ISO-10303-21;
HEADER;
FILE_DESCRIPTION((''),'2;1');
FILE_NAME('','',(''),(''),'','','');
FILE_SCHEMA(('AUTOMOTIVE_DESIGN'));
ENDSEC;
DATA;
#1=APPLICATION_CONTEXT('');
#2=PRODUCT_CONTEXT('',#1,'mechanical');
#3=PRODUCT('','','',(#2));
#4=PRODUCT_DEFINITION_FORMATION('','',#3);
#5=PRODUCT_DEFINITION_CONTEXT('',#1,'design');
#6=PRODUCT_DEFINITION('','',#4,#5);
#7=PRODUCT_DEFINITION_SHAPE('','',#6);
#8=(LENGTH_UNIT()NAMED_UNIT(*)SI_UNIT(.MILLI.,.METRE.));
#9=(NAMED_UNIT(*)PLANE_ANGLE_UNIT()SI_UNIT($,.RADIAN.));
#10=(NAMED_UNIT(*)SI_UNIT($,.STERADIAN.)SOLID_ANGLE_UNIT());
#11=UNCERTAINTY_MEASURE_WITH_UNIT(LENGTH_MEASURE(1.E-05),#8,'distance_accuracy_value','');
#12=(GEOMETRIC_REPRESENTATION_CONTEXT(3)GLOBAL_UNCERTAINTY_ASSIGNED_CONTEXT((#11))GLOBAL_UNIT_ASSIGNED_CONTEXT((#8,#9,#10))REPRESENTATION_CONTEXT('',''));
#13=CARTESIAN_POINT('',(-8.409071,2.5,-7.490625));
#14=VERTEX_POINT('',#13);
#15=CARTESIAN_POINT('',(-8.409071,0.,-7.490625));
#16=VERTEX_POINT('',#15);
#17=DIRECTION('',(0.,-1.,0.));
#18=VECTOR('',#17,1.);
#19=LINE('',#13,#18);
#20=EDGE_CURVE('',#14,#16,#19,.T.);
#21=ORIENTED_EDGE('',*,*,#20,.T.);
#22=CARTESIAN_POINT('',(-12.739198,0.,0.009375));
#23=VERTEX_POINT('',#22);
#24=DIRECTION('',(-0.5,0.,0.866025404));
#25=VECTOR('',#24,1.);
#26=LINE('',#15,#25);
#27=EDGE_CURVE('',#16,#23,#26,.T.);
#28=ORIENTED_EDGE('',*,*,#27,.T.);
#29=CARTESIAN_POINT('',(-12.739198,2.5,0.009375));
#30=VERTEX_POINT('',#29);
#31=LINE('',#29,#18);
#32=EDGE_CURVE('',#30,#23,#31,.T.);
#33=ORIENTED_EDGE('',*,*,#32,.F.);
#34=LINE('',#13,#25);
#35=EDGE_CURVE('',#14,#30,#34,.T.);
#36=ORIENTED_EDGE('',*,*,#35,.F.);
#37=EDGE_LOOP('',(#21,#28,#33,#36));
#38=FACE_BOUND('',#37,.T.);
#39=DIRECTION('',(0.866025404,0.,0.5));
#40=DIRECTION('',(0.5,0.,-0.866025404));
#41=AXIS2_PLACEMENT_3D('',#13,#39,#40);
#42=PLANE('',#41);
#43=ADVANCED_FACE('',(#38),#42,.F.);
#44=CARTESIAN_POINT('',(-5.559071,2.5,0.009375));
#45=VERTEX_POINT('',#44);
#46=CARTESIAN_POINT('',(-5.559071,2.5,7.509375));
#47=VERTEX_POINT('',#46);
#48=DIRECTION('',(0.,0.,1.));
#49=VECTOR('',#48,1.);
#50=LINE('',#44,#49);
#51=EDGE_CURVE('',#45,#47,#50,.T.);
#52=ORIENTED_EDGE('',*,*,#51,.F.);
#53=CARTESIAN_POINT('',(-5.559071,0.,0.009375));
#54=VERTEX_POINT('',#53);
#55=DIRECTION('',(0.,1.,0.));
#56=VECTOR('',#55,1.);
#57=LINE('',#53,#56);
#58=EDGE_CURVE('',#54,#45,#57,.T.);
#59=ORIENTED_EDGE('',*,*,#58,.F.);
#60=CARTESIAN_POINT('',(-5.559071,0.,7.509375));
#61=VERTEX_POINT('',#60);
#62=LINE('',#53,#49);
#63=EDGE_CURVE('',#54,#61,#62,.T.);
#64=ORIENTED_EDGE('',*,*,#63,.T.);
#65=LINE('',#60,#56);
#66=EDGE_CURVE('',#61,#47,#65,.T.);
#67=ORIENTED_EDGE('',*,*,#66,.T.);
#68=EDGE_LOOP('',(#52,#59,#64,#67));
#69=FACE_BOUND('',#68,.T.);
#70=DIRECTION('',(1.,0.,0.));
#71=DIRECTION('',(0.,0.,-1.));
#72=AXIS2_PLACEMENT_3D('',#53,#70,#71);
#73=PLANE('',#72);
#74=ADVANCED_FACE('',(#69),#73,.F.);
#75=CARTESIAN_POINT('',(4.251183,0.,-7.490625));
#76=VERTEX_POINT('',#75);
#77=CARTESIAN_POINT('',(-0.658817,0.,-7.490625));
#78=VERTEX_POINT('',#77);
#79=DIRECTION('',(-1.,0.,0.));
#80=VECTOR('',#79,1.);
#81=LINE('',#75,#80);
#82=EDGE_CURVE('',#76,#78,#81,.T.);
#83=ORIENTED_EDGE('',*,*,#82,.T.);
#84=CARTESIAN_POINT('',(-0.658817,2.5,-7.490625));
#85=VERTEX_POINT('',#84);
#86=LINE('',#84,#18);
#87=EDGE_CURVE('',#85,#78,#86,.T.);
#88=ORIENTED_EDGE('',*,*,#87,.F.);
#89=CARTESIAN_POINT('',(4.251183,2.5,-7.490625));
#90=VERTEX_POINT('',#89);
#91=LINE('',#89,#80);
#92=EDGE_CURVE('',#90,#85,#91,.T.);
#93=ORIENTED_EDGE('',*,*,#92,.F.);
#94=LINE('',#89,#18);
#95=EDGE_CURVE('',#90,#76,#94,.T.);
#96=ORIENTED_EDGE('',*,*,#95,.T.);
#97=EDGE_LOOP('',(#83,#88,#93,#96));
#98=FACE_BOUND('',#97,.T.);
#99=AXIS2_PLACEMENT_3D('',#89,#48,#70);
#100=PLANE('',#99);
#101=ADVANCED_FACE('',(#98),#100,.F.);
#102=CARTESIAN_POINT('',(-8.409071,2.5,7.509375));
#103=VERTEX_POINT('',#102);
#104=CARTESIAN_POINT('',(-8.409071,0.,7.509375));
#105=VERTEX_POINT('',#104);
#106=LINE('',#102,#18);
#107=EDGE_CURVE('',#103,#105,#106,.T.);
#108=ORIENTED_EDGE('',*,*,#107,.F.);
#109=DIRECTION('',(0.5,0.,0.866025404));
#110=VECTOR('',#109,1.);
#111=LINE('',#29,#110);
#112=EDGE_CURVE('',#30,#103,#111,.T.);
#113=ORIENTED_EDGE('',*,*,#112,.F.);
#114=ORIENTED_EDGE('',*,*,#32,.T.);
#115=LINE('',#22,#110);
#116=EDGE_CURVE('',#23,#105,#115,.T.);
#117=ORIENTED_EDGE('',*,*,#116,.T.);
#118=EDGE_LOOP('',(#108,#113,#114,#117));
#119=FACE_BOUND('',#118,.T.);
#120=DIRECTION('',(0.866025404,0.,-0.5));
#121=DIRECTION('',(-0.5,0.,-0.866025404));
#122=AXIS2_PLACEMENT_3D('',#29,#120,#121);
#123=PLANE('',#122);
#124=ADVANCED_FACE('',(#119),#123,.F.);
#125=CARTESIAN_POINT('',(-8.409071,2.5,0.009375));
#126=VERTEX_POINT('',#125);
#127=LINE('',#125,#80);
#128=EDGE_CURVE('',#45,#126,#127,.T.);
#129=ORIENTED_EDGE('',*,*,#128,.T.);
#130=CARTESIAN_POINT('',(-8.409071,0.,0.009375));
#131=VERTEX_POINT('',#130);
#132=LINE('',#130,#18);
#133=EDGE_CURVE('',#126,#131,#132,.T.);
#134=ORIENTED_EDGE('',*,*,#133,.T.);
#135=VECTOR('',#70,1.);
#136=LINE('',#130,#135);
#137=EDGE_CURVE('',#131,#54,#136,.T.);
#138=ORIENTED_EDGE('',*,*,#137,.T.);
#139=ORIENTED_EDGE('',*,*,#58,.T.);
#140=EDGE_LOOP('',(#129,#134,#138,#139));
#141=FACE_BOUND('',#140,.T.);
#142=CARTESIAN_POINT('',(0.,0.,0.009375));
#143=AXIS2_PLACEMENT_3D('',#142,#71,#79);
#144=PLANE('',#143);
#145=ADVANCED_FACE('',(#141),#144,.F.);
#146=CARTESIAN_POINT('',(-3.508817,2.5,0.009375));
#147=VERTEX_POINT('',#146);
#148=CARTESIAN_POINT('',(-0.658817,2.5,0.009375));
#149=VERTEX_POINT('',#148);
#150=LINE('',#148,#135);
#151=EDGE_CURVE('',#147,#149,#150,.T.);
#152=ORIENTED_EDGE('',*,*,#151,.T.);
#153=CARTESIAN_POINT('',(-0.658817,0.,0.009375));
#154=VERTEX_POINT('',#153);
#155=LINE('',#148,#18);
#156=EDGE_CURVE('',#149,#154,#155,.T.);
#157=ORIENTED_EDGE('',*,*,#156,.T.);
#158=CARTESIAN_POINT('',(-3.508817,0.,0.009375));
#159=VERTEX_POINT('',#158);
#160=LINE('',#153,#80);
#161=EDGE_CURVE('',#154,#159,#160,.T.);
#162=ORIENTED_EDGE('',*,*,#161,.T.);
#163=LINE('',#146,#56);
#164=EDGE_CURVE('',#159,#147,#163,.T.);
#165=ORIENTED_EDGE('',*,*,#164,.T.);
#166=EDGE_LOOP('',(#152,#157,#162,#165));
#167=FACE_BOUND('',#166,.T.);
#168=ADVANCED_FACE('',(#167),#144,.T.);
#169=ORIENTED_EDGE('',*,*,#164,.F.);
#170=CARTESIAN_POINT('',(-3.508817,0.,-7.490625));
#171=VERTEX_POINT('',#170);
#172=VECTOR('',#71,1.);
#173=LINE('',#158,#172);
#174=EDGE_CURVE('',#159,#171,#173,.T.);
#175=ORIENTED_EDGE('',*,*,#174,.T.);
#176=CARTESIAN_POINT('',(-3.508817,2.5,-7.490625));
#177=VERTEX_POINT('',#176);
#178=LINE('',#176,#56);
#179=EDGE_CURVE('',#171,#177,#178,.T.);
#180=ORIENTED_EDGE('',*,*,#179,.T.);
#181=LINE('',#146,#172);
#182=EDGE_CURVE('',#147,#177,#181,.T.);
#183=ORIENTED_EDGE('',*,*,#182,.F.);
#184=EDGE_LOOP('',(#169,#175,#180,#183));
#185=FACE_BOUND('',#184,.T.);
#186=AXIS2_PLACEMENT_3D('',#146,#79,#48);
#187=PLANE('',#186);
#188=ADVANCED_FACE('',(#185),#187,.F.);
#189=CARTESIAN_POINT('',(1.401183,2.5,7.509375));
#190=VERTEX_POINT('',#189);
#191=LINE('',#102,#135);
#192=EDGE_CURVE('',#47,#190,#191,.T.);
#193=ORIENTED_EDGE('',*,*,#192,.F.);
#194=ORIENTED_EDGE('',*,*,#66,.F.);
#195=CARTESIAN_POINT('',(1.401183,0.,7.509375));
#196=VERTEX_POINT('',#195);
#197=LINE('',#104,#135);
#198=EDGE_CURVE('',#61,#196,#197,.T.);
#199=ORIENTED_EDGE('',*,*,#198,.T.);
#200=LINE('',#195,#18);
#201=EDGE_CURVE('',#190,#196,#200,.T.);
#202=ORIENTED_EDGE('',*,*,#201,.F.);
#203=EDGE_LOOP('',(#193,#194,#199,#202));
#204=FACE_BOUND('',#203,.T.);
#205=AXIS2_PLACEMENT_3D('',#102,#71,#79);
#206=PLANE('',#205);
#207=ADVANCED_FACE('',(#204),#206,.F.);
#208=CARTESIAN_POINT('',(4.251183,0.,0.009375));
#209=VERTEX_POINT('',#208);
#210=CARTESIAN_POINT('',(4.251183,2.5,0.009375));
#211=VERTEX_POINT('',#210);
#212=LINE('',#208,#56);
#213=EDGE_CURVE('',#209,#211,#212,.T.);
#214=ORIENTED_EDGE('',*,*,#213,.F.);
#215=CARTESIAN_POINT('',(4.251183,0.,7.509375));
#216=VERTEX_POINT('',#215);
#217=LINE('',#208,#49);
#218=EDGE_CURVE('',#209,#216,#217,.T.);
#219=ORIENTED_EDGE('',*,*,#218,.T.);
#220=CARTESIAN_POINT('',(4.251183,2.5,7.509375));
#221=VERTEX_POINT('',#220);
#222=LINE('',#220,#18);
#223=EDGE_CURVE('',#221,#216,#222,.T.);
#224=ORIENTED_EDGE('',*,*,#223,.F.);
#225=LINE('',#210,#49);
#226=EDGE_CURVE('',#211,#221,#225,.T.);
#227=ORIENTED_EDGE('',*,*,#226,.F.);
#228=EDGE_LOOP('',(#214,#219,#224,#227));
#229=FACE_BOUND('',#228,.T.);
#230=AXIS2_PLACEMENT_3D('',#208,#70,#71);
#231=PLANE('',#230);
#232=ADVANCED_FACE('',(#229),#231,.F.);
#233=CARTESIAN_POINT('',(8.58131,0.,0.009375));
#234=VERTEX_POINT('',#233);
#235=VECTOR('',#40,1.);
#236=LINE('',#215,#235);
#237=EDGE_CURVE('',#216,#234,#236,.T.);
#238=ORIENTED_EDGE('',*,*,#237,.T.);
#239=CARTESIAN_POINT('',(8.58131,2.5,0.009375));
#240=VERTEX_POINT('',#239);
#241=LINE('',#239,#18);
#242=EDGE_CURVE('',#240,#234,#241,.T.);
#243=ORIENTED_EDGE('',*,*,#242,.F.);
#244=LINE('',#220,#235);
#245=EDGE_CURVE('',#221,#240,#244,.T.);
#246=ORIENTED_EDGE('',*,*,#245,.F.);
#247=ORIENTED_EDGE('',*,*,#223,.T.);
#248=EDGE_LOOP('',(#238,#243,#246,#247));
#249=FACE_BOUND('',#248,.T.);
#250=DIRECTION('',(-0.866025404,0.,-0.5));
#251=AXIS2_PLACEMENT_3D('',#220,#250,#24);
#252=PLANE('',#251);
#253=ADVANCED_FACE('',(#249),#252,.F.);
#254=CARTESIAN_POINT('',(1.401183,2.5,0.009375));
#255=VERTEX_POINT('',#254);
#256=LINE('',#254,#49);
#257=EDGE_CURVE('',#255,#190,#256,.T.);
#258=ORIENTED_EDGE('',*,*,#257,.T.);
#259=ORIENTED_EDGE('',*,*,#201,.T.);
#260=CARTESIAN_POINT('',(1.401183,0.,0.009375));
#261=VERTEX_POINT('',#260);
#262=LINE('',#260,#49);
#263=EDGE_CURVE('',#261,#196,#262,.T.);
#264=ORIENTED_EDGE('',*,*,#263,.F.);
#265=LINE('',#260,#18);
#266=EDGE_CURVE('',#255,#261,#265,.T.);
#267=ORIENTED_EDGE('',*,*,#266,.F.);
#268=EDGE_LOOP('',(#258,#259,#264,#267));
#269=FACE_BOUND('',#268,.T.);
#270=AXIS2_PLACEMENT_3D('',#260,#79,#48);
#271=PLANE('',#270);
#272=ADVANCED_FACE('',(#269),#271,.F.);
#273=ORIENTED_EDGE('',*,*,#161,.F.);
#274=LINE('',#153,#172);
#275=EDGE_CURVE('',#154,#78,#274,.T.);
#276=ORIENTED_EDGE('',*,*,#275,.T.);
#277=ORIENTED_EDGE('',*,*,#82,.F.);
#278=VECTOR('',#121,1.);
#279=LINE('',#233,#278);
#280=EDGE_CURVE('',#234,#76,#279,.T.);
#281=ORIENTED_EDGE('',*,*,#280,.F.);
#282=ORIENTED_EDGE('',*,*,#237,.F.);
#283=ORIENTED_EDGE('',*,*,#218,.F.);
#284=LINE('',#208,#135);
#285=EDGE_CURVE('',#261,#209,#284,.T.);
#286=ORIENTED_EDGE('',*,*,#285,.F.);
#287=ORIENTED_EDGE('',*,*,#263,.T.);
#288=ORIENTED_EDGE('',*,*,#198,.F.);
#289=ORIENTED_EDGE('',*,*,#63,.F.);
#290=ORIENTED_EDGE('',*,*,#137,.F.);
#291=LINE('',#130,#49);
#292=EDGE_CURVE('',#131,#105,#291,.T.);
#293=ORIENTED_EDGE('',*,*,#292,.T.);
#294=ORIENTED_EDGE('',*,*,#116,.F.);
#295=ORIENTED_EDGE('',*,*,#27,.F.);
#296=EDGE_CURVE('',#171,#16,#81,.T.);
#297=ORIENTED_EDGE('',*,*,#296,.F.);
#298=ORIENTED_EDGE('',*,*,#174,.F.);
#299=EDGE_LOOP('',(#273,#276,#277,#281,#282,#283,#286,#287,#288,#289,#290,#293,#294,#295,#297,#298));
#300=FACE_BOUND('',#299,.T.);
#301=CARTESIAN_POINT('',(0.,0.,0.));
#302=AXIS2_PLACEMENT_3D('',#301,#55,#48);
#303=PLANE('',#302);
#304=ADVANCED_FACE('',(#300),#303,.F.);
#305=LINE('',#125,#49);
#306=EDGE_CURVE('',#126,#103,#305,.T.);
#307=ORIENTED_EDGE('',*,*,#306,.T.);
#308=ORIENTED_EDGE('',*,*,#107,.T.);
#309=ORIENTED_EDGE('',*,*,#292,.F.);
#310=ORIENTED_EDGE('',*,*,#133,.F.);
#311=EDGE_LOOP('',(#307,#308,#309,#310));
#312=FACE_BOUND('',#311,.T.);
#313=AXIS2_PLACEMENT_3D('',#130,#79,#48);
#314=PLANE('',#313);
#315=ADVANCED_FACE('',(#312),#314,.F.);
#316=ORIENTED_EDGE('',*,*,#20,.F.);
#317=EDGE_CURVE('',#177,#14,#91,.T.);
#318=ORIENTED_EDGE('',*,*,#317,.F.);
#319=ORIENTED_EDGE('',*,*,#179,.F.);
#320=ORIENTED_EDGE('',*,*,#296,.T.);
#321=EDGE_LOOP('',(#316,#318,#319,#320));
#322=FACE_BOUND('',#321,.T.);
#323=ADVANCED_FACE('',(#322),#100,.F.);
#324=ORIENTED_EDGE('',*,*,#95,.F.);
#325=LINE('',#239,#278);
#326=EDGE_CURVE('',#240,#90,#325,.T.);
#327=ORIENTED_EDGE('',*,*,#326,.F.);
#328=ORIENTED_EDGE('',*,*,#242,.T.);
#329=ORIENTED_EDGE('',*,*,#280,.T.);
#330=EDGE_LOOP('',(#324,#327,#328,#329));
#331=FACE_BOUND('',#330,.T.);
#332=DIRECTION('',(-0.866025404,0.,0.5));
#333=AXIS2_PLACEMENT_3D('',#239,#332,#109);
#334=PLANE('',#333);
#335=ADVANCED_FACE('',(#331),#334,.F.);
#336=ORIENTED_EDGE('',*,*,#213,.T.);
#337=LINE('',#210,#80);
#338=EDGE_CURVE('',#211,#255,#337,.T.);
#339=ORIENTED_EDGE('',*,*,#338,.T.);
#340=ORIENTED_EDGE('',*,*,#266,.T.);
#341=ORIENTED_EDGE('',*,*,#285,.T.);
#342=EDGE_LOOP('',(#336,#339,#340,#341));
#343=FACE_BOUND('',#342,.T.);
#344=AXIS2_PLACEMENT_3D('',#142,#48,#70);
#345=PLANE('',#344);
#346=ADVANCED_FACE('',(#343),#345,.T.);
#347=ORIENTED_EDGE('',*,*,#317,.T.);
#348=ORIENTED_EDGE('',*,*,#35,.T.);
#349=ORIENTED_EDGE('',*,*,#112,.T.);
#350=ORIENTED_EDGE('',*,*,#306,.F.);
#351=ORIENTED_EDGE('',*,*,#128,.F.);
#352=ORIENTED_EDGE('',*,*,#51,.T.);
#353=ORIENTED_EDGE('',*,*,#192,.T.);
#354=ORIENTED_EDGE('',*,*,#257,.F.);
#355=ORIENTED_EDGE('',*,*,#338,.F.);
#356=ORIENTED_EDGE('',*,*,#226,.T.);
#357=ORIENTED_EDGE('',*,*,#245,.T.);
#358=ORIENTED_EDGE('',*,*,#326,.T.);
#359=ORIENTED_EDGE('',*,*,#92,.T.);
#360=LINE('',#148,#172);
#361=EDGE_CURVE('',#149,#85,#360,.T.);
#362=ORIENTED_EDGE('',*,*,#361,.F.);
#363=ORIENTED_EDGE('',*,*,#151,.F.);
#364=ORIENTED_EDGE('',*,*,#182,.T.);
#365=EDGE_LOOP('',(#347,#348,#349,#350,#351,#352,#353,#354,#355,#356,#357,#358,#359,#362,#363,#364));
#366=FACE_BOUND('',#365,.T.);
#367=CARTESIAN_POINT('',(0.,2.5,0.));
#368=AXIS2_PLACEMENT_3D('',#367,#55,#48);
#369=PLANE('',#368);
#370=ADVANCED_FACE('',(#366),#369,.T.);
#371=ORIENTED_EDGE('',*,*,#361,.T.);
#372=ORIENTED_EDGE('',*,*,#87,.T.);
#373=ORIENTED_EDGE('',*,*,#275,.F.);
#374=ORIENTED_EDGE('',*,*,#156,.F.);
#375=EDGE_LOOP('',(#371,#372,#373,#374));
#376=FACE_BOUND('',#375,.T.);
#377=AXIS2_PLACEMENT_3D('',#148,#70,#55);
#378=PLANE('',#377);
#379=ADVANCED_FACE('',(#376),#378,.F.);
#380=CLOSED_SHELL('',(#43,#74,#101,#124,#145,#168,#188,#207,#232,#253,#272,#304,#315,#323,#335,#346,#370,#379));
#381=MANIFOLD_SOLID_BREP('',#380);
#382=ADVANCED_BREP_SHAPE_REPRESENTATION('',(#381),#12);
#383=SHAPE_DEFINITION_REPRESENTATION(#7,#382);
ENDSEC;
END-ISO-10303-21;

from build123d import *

# Parameters (mm, degrees)
BOSS_EXTRUDE1_DEPTH = 2.5
SKETCH5_W           = 2.85
SKETCH5_H           = 2.5
CUT_EXTRUDE2_DEPTH  = 7.5
SKETCH6_W           = 2.85
SKETCH6_H           = 2.5
CUT_EXTRUDE3_DEPTH  = 7.5
SKETCH7_W           = 2.85
SKETCH7_H           = 2.5
CUT_EXTRUDE4_DEPTH  = 7.5


with BuildPart() as part:
    # Sketch1 → Boss-Extrude1 (new body)
    with BuildSketch(Plane(origin=(0, 0, 0), x_dir=(1, 0, 0), z_dir=(0, 1, 0))):
        Polygon((8.581310361, -0.009375041), (4.251183342, 7.490624959), (-8.409070695, 7.490624959), (-12.739197714, -0.009375041), (-8.409070695, -7.509375041), (4.251183342, -7.509375041), align=None)
    extrude(amount=BOSS_EXTRUDE1_DEPTH)

    # Sketch5 → Cut-Extrude2 (cut)
    with BuildSketch(Plane.XY.offset(7.509375041)):
        with Locations((-6.984070695, 1.25)):
            Rectangle(SKETCH5_W, SKETCH5_H)
    extrude(amount=-CUT_EXTRUDE2_DEPTH, mode=Mode.SUBTRACT)

    # Sketch6 → Cut-Extrude3 (cut)
    with BuildSketch(Plane.XY.offset(7.509375041)):
        with Locations((2.826183342, 1.25)):
            Rectangle(SKETCH6_W, SKETCH6_H)
    extrude(amount=-CUT_EXTRUDE3_DEPTH, mode=Mode.SUBTRACT)

    # Sketch7 → Cut-Extrude4 (cut)
    with BuildSketch(Plane(origin=(0, 0, -7.490624959), x_dir=(-1, 0, 0), z_dir=(0, 0, -1))):
        with Locations((2.083816658, 1.25)):
            Rectangle(SKETCH7_W, SKETCH7_H)
    extrude(amount=-CUT_EXTRUDE4_DEPTH, mode=Mode.SUBTRACT)


solid = part.part
